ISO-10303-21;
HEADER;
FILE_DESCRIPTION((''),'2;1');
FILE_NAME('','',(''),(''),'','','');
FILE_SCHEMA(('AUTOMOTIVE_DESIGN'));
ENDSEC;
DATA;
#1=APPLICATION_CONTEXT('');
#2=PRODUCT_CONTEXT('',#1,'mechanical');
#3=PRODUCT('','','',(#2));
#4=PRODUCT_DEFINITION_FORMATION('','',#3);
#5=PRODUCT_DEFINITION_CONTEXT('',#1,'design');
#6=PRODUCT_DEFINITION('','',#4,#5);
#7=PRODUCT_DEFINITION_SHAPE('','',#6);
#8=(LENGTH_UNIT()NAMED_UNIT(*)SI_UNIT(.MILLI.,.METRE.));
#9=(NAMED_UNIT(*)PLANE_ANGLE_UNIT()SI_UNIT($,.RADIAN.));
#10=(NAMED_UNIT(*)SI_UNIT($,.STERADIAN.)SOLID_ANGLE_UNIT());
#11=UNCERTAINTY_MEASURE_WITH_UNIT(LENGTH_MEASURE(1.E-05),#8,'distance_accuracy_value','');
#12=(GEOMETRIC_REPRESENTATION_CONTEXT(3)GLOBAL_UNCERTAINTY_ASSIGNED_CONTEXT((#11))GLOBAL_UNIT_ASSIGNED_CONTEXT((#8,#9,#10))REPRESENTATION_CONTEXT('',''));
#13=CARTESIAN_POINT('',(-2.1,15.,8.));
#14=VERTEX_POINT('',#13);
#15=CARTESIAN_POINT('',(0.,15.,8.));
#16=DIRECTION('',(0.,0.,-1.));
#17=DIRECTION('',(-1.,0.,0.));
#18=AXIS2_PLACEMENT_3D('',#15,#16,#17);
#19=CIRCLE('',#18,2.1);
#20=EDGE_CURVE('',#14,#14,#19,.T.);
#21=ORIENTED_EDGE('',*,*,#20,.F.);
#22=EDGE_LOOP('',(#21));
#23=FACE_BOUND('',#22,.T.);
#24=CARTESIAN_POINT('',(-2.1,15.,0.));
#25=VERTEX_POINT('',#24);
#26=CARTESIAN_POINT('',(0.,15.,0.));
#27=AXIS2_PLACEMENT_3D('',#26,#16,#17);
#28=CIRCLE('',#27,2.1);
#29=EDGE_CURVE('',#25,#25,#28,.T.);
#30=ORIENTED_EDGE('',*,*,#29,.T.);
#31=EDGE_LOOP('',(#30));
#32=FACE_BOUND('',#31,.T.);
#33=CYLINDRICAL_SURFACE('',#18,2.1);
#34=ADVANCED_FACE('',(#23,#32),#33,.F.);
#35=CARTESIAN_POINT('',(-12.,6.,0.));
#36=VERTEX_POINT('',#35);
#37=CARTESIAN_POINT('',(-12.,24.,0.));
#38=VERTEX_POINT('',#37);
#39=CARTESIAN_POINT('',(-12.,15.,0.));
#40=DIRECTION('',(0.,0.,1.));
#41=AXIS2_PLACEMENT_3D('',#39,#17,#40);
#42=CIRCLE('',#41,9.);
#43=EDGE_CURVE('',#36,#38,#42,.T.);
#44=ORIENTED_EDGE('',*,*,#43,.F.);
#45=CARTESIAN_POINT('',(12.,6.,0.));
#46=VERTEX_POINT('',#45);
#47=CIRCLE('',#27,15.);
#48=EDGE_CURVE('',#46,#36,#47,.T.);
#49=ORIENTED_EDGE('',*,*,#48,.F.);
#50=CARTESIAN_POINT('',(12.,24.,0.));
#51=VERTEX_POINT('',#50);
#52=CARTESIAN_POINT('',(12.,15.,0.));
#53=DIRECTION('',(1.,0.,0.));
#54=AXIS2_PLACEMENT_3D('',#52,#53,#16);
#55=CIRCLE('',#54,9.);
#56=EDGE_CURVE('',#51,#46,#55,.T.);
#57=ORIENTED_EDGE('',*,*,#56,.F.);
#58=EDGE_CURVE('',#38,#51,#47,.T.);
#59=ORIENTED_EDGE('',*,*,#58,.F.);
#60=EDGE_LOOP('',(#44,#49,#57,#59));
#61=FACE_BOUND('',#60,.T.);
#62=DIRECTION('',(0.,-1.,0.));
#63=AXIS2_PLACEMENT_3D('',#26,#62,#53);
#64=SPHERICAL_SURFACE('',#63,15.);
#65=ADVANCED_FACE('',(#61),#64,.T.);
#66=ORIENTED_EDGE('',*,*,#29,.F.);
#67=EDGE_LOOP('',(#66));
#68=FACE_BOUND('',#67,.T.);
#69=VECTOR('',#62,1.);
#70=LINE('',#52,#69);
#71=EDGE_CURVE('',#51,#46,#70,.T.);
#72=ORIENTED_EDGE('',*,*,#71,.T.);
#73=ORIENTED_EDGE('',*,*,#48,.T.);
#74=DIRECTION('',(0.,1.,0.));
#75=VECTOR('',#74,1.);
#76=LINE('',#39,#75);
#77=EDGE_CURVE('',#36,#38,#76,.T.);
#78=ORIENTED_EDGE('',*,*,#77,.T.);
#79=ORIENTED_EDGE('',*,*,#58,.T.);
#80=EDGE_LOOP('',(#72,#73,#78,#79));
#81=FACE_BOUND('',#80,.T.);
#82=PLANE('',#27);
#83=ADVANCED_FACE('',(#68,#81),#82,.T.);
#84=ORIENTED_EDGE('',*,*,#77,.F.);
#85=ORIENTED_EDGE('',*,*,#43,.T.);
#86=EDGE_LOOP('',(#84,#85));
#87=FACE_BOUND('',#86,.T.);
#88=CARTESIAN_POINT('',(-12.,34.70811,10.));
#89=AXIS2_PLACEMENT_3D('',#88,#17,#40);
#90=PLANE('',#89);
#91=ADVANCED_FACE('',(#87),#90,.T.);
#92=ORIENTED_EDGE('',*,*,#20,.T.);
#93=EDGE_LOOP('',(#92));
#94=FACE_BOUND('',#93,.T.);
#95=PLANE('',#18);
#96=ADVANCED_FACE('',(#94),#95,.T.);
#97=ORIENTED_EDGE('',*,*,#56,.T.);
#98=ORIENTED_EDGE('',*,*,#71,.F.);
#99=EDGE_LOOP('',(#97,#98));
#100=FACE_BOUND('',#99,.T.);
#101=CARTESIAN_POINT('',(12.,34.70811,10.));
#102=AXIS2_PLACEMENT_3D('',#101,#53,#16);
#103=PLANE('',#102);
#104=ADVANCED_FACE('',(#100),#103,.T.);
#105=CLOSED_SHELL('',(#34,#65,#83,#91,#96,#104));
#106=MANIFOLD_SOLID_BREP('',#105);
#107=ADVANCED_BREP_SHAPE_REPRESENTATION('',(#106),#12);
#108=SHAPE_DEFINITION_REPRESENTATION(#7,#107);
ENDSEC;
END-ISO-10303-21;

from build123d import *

# Parameters (mm, degrees)
REVOLVE1_ANGLE     = 180
SKETCH3_W          = 56.622410577
SKETCH3_H          = 52.672009839
SKETCH3_W_2        = 24
SKETCH3_H_2        = 38.977287281
CUT_EXTRUDE1_DEPTH = 10
SKETCH4_R          = 2.1
CUT_EXTRUDE2_DEPTH = 8


with BuildPart() as part:
    # Sketch2 → Revolve1 (revolve)
    with BuildSketch(Plane.XY):
        with BuildLine():
            Line((0, 0), (0, 30))
            ThreePointArc((0, 30), (-15, 15), (0, 0))
        make_face()
    revolve(axis=Axis((0, 0, 0), (0, 1, 0)), revolution_arc=REVOLVE1_ANGLE)

    # Sketch3 → Cut-Extrude1 (cut)
    with BuildSketch(Plane(origin=(0, 0, 0), x_dir=(-1, 0, 0), z_dir=(0, 0, -1))):
        with Locations((-0.219466708, 13.463733046)):
            Rectangle(SKETCH3_W, SKETCH3_H)
        with Locations((0, 15.219466708)):
            Rectangle(SKETCH3_W_2, SKETCH3_H_2, mode=Mode.SUBTRACT)
    extrude(amount=-CUT_EXTRUDE1_DEPTH, mode=Mode.SUBTRACT)

    # Sketch4 → Cut-Extrude2 (cut)
    with BuildSketch(Plane(origin=(0, 0, 0), x_dir=(-1, 0, 0), z_dir=(0, 0, -1))):
        with Locations((0, 15)):
            Circle(SKETCH4_R)
    extrude(amount=-CUT_EXTRUDE2_DEPTH, mode=Mode.SUBTRACT)


solid = part.part
